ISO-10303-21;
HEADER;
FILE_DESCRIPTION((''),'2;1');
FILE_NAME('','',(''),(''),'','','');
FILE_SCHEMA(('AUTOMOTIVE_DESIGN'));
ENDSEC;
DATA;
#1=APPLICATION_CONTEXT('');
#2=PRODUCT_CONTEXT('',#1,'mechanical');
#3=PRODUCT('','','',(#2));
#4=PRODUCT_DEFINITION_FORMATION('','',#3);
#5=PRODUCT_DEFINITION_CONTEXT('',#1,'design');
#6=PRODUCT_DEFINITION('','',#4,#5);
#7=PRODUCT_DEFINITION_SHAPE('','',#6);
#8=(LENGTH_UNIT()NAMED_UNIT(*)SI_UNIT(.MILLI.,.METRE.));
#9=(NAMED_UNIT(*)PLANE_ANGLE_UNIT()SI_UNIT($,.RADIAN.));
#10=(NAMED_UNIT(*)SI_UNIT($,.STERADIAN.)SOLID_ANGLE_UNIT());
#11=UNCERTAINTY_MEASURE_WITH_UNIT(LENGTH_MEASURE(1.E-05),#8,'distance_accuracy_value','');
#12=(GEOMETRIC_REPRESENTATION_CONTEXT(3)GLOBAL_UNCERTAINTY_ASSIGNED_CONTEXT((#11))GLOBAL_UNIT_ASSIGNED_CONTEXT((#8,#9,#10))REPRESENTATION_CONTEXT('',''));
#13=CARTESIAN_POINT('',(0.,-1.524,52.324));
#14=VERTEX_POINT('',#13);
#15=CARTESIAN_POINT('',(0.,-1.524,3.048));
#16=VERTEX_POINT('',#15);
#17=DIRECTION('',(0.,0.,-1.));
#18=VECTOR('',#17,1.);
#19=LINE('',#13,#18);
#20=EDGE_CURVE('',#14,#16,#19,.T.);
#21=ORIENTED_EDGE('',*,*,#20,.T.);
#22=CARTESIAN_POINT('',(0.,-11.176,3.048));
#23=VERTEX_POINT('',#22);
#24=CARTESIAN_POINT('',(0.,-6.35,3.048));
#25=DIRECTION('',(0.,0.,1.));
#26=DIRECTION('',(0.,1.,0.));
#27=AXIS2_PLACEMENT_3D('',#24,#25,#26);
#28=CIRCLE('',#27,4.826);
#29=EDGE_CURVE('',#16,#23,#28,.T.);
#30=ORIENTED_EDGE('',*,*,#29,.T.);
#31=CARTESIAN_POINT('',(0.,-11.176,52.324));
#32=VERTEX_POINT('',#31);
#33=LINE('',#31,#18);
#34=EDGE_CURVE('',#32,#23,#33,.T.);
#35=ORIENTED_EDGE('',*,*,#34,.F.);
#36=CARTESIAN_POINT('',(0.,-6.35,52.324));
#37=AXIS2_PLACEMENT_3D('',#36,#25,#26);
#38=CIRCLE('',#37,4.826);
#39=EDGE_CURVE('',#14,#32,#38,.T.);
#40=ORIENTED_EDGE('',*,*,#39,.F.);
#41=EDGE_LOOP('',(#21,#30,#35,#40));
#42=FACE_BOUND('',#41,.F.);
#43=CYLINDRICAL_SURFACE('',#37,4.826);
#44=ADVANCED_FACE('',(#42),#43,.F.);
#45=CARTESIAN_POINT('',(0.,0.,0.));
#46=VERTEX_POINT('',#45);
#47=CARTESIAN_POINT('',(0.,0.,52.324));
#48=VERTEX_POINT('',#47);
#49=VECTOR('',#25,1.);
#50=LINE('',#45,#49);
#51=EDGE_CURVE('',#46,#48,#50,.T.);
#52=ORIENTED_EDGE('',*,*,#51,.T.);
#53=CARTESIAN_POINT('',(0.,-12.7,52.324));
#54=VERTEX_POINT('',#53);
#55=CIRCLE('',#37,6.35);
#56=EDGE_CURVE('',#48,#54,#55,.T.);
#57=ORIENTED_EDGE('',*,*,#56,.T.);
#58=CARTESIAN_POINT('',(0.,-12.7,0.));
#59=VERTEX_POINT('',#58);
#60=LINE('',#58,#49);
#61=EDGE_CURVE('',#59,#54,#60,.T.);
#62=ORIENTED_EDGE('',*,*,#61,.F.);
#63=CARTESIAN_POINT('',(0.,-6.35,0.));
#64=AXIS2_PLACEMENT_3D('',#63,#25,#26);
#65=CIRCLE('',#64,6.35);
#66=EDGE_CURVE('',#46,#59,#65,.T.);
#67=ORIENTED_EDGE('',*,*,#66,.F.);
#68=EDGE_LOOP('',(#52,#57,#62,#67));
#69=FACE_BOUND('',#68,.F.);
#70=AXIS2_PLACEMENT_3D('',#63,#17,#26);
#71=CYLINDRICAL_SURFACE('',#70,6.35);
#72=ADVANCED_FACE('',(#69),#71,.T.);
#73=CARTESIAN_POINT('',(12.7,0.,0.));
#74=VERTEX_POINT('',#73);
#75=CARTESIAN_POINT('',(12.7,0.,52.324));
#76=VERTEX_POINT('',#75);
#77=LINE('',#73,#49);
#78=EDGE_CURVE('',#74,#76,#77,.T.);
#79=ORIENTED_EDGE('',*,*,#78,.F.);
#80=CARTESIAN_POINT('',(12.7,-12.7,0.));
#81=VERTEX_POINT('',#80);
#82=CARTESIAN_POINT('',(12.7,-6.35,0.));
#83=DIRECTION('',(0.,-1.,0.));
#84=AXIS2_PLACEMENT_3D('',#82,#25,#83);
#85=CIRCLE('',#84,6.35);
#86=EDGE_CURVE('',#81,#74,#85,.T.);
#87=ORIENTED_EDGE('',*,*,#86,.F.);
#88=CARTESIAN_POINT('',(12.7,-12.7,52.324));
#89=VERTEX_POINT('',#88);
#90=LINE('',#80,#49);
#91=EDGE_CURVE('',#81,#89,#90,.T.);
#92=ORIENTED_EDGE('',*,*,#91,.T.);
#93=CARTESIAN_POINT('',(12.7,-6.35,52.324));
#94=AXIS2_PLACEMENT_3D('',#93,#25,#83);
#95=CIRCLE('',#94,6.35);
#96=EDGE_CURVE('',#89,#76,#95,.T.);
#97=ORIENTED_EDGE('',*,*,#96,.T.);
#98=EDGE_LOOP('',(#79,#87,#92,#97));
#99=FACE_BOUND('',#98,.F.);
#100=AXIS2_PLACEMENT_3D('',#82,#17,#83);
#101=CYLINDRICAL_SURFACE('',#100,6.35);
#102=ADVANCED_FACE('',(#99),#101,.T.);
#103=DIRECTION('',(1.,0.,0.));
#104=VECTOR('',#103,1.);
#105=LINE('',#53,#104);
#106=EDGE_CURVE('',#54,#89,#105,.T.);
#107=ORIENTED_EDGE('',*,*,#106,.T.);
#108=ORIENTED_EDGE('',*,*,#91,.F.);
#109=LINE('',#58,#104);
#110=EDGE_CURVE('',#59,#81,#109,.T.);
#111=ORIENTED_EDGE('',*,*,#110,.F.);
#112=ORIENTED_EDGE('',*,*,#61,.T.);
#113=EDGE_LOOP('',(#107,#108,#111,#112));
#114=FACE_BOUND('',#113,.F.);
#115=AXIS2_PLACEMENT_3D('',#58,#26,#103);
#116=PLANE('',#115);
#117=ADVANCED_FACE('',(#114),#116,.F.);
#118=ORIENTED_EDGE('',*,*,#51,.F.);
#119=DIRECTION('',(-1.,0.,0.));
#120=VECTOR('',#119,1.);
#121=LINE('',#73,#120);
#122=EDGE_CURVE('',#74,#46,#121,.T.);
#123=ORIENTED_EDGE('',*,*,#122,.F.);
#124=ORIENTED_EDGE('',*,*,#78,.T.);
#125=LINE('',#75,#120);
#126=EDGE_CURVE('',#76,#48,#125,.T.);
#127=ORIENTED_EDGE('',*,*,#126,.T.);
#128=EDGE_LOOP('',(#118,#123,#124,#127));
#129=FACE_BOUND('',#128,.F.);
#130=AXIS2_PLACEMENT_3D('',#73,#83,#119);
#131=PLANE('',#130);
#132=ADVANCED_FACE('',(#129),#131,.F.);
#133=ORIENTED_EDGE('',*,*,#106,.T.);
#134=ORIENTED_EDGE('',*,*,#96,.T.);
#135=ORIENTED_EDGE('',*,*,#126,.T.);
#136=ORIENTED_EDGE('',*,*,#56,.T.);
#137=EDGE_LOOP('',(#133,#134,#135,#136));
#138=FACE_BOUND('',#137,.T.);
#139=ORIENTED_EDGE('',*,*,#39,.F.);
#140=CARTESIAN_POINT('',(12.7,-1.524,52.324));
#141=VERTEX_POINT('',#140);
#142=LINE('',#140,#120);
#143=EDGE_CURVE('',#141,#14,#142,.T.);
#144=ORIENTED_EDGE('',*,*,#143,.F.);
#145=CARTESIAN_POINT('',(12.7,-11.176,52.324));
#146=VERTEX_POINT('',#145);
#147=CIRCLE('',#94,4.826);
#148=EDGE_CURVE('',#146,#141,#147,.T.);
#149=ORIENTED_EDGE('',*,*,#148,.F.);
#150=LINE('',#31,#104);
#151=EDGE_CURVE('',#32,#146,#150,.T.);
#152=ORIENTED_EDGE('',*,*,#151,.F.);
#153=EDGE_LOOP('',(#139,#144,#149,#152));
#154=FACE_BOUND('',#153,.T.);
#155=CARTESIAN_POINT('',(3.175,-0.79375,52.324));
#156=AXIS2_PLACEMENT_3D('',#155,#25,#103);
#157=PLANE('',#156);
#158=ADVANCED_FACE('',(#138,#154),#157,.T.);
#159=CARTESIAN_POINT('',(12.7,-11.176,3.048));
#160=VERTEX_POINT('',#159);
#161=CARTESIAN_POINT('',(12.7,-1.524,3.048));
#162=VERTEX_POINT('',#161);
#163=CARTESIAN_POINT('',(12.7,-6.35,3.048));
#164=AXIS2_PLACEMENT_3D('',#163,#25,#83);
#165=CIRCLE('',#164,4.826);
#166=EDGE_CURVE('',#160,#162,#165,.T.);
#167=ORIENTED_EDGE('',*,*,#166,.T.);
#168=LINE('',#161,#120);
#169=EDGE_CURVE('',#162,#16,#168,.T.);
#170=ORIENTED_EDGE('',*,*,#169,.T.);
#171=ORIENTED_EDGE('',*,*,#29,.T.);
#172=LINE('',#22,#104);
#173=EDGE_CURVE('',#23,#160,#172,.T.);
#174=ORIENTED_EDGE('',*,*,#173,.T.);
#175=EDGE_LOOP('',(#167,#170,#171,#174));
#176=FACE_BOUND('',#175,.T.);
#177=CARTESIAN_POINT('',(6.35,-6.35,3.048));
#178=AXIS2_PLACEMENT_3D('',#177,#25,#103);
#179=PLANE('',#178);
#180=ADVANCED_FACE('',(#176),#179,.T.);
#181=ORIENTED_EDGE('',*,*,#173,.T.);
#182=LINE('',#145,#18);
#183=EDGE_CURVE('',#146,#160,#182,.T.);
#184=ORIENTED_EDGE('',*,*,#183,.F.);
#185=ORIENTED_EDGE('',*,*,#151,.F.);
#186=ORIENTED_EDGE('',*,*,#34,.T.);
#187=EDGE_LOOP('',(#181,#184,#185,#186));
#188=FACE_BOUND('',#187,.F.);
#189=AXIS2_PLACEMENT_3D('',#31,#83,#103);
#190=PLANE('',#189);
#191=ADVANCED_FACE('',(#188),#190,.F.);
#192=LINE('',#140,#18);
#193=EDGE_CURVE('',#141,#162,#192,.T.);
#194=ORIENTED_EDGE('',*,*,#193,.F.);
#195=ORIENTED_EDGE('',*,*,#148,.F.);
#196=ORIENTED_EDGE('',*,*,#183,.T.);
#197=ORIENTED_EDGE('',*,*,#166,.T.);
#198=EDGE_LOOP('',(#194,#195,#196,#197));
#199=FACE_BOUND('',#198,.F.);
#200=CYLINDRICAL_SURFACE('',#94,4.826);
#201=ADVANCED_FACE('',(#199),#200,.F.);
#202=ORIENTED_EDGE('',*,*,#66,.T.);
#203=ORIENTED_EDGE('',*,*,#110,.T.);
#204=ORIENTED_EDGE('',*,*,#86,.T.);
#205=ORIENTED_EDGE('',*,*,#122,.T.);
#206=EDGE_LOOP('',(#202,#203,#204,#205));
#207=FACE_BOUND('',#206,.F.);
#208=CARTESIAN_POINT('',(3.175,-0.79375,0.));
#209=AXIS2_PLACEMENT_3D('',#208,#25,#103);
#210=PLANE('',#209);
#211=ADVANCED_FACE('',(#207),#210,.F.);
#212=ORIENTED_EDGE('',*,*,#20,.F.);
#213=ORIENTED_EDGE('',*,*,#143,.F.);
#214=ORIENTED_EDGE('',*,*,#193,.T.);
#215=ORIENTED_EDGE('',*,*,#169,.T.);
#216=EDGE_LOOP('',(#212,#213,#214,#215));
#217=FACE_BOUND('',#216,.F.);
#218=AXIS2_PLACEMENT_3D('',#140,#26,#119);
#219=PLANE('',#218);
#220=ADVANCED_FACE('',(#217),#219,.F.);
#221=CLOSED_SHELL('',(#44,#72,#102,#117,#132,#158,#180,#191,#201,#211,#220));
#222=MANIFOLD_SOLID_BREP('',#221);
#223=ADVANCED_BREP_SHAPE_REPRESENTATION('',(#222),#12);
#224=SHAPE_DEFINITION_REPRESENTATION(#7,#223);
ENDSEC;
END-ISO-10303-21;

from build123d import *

# Parameters (mm, degrees)
F0_W     = 6.35
F0_H     = 1.5875
F0_H_2   = 9.525
F1_DEPTH = 52.324
F3_DEPTH = 49.276


with BuildPart() as f1:
    # F0 (on Top) → F1 (new body)
    with BuildSketch(Plane.XY):
        with Locations((3.175, -0.79375)):
            Rectangle(F0_W, F0_H)
        with BuildLine():
            Line((0, -1.5875), (0, 0))
            ThreePointArc((0, 0), (-6.35, -6.35), (0, -12.7))
            Line((0, -12.7), (0, -11.1125))
            ThreePointArc((0, -11.1125), (-4.7625, -6.35), (0, -1.5875))
        make_face()
        with Locations((9.525, -0.79375)):
            Rectangle(F0_W, F0_H)
        with Locations((3.175, -11.90625)):
            Rectangle(F0_W, F0_H)
        with BuildLine():
            ThreePointArc((12.7, -12.7), (19.05, -6.35), (12.7, 0))
            Line((12.7, 0), (12.7, -1.5875))
            ThreePointArc((12.7, -1.5875), (17.4625, -6.35), (12.7, -11.1125))
            Line((12.7, -11.1125), (12.7, -12.7))
        make_face()
        with Locations((9.525, -11.90625)):
            Rectangle(F0_W, F0_H)
        with Locations((9.525, -6.35)):
            Rectangle(F0_W, F0_H_2)
        with Locations((3.175, -6.35)):
            Rectangle(F0_W, F0_H_2)
        with BuildLine():
            Line((0, -11.1125), (0, -1.5875))
            ThreePointArc((0, -1.5875), (-4.7625, -6.35), (0, -11.1125))
        make_face()
        with BuildLine():
            ThreePointArc((12.7, -11.1125), (17.4625, -6.35), (12.7, -1.5875))
            Line((12.7, -1.5875), (12.7, -11.1125))
        make_face()
    extrude(amount=F1_DEPTH)

    # F2 (on face) → F3 (cut)
    with BuildSketch(Plane.XY.offset(52.324)):
        with BuildLine():
            Line((12.7, -1.524), (0, -1.524))
            ThreePointArc((0, -1.524), (-4.826, -6.35), (0, -11.176))
            Line((0, -11.176), (12.7, -11.176))
            ThreePointArc((12.7, -11.176), (17.526, -6.35), (12.7, -1.524))
        make_face()
    extrude(amount=-F3_DEPTH, mode=Mode.SUBTRACT)


solid = f1.part
